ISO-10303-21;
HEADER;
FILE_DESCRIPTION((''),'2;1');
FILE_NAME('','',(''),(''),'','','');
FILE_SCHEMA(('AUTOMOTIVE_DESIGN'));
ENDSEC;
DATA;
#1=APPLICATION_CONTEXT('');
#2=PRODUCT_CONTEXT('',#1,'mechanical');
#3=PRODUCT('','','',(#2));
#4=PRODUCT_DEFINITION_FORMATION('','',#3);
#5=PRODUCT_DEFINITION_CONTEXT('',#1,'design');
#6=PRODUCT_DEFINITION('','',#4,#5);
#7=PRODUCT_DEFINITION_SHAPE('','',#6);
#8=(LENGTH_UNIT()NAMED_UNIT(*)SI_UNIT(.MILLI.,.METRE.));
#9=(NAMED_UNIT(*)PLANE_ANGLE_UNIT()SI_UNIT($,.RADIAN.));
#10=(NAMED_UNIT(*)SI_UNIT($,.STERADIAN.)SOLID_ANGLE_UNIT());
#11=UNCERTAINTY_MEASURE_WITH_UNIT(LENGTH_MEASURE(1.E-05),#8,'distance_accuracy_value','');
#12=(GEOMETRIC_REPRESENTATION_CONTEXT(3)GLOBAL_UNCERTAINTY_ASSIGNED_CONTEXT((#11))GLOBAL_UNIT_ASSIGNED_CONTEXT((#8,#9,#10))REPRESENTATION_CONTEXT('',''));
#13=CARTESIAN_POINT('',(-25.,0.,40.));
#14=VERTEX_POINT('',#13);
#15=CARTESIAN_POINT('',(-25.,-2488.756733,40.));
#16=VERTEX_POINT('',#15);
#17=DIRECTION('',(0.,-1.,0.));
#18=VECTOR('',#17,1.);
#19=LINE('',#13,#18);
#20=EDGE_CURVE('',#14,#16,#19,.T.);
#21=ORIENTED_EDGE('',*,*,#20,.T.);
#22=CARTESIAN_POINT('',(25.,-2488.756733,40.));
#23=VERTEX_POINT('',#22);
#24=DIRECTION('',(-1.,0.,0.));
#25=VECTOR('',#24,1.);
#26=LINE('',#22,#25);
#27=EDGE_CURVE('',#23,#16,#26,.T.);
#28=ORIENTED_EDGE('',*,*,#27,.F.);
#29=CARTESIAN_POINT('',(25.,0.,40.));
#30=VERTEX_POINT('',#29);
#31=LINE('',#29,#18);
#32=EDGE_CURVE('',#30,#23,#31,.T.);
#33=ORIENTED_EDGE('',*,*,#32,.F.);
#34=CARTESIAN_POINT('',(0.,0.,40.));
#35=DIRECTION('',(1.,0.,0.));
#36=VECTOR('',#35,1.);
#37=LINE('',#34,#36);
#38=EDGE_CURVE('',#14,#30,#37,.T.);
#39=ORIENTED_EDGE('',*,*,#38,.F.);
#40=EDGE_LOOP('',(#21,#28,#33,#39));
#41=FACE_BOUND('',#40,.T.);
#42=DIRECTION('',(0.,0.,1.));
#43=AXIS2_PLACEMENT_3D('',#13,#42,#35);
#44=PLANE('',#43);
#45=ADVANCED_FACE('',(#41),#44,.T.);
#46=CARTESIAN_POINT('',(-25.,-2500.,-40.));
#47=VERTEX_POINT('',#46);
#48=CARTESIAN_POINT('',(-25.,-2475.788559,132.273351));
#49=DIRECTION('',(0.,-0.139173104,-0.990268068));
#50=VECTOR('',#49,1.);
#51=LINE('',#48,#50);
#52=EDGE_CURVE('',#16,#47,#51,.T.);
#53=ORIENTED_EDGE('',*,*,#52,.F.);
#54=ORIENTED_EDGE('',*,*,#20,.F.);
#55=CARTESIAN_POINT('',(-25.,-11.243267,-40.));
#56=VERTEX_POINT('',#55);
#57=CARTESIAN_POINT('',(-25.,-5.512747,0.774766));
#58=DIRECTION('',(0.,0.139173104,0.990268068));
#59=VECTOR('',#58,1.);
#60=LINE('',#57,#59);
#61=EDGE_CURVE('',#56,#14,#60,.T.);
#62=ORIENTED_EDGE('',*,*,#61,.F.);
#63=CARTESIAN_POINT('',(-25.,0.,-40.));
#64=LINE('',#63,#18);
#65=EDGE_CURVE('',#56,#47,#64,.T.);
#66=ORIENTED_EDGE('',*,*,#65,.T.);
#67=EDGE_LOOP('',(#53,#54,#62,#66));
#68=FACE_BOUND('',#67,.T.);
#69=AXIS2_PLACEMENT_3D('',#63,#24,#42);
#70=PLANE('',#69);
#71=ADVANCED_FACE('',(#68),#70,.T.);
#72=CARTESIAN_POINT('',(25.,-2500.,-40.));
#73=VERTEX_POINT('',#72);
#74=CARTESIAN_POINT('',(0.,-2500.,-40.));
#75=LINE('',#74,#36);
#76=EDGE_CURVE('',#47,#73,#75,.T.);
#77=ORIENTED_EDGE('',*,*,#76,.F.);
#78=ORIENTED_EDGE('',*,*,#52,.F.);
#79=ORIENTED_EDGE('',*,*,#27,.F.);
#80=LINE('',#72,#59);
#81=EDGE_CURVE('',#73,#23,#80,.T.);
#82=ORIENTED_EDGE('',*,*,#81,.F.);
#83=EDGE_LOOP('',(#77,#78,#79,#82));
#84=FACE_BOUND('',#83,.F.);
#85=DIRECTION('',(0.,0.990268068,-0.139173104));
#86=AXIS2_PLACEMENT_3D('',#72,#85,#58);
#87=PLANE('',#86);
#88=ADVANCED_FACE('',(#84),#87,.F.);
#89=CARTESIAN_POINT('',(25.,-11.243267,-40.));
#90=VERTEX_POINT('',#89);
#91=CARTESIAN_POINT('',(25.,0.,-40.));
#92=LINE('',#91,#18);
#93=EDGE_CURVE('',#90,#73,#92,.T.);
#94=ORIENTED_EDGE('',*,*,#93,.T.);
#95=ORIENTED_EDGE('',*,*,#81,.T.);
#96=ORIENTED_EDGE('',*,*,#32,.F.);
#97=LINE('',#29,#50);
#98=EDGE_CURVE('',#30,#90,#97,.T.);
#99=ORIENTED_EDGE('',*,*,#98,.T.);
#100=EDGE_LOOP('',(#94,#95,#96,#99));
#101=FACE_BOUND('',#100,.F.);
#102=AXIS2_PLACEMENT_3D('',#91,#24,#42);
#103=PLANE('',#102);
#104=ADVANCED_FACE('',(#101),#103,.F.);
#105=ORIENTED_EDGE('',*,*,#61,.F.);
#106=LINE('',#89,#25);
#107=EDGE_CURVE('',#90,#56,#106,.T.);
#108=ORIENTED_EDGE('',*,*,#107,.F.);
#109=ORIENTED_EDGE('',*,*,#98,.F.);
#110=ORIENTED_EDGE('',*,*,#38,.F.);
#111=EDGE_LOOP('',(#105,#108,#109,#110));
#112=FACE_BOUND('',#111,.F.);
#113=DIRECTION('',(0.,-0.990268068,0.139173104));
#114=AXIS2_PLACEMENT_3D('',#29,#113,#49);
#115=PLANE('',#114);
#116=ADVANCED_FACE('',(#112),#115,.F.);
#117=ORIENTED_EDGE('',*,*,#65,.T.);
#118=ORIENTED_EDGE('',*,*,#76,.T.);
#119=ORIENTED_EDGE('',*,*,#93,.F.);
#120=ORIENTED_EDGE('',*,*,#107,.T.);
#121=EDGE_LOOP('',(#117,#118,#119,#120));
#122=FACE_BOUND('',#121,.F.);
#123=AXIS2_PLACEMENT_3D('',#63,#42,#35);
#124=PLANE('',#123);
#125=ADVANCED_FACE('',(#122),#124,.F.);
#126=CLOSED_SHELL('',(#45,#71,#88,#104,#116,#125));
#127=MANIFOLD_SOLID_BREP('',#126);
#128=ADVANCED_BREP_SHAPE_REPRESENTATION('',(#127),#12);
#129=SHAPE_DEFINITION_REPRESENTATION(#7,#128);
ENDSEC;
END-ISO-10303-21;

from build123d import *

# Parameters (mm, degrees)
F0_W     = 50
F0_H     = 80
F1_DEPTH = 2500
F3_DEPTH = 87.882459


with BuildPart() as f1:
    # F0 (on Front) → F1 (new body)
    with BuildSketch(Plane.XZ):
        Rectangle(F0_W, F0_H)
    extrude(amount=F1_DEPTH)

    # F2 (on face) → F3 (cut)
    with BuildSketch(Plane.YZ.offset(25)):
        Polygon((-11.243267, -40), (0, -40), (0, 40), align=None)
        Polygon((-2488.756733, 40), (-2500, 40), (-2500, -40), align=None)
    extrude(amount=-F3_DEPTH, mode=Mode.SUBTRACT)


solid = f1.part
